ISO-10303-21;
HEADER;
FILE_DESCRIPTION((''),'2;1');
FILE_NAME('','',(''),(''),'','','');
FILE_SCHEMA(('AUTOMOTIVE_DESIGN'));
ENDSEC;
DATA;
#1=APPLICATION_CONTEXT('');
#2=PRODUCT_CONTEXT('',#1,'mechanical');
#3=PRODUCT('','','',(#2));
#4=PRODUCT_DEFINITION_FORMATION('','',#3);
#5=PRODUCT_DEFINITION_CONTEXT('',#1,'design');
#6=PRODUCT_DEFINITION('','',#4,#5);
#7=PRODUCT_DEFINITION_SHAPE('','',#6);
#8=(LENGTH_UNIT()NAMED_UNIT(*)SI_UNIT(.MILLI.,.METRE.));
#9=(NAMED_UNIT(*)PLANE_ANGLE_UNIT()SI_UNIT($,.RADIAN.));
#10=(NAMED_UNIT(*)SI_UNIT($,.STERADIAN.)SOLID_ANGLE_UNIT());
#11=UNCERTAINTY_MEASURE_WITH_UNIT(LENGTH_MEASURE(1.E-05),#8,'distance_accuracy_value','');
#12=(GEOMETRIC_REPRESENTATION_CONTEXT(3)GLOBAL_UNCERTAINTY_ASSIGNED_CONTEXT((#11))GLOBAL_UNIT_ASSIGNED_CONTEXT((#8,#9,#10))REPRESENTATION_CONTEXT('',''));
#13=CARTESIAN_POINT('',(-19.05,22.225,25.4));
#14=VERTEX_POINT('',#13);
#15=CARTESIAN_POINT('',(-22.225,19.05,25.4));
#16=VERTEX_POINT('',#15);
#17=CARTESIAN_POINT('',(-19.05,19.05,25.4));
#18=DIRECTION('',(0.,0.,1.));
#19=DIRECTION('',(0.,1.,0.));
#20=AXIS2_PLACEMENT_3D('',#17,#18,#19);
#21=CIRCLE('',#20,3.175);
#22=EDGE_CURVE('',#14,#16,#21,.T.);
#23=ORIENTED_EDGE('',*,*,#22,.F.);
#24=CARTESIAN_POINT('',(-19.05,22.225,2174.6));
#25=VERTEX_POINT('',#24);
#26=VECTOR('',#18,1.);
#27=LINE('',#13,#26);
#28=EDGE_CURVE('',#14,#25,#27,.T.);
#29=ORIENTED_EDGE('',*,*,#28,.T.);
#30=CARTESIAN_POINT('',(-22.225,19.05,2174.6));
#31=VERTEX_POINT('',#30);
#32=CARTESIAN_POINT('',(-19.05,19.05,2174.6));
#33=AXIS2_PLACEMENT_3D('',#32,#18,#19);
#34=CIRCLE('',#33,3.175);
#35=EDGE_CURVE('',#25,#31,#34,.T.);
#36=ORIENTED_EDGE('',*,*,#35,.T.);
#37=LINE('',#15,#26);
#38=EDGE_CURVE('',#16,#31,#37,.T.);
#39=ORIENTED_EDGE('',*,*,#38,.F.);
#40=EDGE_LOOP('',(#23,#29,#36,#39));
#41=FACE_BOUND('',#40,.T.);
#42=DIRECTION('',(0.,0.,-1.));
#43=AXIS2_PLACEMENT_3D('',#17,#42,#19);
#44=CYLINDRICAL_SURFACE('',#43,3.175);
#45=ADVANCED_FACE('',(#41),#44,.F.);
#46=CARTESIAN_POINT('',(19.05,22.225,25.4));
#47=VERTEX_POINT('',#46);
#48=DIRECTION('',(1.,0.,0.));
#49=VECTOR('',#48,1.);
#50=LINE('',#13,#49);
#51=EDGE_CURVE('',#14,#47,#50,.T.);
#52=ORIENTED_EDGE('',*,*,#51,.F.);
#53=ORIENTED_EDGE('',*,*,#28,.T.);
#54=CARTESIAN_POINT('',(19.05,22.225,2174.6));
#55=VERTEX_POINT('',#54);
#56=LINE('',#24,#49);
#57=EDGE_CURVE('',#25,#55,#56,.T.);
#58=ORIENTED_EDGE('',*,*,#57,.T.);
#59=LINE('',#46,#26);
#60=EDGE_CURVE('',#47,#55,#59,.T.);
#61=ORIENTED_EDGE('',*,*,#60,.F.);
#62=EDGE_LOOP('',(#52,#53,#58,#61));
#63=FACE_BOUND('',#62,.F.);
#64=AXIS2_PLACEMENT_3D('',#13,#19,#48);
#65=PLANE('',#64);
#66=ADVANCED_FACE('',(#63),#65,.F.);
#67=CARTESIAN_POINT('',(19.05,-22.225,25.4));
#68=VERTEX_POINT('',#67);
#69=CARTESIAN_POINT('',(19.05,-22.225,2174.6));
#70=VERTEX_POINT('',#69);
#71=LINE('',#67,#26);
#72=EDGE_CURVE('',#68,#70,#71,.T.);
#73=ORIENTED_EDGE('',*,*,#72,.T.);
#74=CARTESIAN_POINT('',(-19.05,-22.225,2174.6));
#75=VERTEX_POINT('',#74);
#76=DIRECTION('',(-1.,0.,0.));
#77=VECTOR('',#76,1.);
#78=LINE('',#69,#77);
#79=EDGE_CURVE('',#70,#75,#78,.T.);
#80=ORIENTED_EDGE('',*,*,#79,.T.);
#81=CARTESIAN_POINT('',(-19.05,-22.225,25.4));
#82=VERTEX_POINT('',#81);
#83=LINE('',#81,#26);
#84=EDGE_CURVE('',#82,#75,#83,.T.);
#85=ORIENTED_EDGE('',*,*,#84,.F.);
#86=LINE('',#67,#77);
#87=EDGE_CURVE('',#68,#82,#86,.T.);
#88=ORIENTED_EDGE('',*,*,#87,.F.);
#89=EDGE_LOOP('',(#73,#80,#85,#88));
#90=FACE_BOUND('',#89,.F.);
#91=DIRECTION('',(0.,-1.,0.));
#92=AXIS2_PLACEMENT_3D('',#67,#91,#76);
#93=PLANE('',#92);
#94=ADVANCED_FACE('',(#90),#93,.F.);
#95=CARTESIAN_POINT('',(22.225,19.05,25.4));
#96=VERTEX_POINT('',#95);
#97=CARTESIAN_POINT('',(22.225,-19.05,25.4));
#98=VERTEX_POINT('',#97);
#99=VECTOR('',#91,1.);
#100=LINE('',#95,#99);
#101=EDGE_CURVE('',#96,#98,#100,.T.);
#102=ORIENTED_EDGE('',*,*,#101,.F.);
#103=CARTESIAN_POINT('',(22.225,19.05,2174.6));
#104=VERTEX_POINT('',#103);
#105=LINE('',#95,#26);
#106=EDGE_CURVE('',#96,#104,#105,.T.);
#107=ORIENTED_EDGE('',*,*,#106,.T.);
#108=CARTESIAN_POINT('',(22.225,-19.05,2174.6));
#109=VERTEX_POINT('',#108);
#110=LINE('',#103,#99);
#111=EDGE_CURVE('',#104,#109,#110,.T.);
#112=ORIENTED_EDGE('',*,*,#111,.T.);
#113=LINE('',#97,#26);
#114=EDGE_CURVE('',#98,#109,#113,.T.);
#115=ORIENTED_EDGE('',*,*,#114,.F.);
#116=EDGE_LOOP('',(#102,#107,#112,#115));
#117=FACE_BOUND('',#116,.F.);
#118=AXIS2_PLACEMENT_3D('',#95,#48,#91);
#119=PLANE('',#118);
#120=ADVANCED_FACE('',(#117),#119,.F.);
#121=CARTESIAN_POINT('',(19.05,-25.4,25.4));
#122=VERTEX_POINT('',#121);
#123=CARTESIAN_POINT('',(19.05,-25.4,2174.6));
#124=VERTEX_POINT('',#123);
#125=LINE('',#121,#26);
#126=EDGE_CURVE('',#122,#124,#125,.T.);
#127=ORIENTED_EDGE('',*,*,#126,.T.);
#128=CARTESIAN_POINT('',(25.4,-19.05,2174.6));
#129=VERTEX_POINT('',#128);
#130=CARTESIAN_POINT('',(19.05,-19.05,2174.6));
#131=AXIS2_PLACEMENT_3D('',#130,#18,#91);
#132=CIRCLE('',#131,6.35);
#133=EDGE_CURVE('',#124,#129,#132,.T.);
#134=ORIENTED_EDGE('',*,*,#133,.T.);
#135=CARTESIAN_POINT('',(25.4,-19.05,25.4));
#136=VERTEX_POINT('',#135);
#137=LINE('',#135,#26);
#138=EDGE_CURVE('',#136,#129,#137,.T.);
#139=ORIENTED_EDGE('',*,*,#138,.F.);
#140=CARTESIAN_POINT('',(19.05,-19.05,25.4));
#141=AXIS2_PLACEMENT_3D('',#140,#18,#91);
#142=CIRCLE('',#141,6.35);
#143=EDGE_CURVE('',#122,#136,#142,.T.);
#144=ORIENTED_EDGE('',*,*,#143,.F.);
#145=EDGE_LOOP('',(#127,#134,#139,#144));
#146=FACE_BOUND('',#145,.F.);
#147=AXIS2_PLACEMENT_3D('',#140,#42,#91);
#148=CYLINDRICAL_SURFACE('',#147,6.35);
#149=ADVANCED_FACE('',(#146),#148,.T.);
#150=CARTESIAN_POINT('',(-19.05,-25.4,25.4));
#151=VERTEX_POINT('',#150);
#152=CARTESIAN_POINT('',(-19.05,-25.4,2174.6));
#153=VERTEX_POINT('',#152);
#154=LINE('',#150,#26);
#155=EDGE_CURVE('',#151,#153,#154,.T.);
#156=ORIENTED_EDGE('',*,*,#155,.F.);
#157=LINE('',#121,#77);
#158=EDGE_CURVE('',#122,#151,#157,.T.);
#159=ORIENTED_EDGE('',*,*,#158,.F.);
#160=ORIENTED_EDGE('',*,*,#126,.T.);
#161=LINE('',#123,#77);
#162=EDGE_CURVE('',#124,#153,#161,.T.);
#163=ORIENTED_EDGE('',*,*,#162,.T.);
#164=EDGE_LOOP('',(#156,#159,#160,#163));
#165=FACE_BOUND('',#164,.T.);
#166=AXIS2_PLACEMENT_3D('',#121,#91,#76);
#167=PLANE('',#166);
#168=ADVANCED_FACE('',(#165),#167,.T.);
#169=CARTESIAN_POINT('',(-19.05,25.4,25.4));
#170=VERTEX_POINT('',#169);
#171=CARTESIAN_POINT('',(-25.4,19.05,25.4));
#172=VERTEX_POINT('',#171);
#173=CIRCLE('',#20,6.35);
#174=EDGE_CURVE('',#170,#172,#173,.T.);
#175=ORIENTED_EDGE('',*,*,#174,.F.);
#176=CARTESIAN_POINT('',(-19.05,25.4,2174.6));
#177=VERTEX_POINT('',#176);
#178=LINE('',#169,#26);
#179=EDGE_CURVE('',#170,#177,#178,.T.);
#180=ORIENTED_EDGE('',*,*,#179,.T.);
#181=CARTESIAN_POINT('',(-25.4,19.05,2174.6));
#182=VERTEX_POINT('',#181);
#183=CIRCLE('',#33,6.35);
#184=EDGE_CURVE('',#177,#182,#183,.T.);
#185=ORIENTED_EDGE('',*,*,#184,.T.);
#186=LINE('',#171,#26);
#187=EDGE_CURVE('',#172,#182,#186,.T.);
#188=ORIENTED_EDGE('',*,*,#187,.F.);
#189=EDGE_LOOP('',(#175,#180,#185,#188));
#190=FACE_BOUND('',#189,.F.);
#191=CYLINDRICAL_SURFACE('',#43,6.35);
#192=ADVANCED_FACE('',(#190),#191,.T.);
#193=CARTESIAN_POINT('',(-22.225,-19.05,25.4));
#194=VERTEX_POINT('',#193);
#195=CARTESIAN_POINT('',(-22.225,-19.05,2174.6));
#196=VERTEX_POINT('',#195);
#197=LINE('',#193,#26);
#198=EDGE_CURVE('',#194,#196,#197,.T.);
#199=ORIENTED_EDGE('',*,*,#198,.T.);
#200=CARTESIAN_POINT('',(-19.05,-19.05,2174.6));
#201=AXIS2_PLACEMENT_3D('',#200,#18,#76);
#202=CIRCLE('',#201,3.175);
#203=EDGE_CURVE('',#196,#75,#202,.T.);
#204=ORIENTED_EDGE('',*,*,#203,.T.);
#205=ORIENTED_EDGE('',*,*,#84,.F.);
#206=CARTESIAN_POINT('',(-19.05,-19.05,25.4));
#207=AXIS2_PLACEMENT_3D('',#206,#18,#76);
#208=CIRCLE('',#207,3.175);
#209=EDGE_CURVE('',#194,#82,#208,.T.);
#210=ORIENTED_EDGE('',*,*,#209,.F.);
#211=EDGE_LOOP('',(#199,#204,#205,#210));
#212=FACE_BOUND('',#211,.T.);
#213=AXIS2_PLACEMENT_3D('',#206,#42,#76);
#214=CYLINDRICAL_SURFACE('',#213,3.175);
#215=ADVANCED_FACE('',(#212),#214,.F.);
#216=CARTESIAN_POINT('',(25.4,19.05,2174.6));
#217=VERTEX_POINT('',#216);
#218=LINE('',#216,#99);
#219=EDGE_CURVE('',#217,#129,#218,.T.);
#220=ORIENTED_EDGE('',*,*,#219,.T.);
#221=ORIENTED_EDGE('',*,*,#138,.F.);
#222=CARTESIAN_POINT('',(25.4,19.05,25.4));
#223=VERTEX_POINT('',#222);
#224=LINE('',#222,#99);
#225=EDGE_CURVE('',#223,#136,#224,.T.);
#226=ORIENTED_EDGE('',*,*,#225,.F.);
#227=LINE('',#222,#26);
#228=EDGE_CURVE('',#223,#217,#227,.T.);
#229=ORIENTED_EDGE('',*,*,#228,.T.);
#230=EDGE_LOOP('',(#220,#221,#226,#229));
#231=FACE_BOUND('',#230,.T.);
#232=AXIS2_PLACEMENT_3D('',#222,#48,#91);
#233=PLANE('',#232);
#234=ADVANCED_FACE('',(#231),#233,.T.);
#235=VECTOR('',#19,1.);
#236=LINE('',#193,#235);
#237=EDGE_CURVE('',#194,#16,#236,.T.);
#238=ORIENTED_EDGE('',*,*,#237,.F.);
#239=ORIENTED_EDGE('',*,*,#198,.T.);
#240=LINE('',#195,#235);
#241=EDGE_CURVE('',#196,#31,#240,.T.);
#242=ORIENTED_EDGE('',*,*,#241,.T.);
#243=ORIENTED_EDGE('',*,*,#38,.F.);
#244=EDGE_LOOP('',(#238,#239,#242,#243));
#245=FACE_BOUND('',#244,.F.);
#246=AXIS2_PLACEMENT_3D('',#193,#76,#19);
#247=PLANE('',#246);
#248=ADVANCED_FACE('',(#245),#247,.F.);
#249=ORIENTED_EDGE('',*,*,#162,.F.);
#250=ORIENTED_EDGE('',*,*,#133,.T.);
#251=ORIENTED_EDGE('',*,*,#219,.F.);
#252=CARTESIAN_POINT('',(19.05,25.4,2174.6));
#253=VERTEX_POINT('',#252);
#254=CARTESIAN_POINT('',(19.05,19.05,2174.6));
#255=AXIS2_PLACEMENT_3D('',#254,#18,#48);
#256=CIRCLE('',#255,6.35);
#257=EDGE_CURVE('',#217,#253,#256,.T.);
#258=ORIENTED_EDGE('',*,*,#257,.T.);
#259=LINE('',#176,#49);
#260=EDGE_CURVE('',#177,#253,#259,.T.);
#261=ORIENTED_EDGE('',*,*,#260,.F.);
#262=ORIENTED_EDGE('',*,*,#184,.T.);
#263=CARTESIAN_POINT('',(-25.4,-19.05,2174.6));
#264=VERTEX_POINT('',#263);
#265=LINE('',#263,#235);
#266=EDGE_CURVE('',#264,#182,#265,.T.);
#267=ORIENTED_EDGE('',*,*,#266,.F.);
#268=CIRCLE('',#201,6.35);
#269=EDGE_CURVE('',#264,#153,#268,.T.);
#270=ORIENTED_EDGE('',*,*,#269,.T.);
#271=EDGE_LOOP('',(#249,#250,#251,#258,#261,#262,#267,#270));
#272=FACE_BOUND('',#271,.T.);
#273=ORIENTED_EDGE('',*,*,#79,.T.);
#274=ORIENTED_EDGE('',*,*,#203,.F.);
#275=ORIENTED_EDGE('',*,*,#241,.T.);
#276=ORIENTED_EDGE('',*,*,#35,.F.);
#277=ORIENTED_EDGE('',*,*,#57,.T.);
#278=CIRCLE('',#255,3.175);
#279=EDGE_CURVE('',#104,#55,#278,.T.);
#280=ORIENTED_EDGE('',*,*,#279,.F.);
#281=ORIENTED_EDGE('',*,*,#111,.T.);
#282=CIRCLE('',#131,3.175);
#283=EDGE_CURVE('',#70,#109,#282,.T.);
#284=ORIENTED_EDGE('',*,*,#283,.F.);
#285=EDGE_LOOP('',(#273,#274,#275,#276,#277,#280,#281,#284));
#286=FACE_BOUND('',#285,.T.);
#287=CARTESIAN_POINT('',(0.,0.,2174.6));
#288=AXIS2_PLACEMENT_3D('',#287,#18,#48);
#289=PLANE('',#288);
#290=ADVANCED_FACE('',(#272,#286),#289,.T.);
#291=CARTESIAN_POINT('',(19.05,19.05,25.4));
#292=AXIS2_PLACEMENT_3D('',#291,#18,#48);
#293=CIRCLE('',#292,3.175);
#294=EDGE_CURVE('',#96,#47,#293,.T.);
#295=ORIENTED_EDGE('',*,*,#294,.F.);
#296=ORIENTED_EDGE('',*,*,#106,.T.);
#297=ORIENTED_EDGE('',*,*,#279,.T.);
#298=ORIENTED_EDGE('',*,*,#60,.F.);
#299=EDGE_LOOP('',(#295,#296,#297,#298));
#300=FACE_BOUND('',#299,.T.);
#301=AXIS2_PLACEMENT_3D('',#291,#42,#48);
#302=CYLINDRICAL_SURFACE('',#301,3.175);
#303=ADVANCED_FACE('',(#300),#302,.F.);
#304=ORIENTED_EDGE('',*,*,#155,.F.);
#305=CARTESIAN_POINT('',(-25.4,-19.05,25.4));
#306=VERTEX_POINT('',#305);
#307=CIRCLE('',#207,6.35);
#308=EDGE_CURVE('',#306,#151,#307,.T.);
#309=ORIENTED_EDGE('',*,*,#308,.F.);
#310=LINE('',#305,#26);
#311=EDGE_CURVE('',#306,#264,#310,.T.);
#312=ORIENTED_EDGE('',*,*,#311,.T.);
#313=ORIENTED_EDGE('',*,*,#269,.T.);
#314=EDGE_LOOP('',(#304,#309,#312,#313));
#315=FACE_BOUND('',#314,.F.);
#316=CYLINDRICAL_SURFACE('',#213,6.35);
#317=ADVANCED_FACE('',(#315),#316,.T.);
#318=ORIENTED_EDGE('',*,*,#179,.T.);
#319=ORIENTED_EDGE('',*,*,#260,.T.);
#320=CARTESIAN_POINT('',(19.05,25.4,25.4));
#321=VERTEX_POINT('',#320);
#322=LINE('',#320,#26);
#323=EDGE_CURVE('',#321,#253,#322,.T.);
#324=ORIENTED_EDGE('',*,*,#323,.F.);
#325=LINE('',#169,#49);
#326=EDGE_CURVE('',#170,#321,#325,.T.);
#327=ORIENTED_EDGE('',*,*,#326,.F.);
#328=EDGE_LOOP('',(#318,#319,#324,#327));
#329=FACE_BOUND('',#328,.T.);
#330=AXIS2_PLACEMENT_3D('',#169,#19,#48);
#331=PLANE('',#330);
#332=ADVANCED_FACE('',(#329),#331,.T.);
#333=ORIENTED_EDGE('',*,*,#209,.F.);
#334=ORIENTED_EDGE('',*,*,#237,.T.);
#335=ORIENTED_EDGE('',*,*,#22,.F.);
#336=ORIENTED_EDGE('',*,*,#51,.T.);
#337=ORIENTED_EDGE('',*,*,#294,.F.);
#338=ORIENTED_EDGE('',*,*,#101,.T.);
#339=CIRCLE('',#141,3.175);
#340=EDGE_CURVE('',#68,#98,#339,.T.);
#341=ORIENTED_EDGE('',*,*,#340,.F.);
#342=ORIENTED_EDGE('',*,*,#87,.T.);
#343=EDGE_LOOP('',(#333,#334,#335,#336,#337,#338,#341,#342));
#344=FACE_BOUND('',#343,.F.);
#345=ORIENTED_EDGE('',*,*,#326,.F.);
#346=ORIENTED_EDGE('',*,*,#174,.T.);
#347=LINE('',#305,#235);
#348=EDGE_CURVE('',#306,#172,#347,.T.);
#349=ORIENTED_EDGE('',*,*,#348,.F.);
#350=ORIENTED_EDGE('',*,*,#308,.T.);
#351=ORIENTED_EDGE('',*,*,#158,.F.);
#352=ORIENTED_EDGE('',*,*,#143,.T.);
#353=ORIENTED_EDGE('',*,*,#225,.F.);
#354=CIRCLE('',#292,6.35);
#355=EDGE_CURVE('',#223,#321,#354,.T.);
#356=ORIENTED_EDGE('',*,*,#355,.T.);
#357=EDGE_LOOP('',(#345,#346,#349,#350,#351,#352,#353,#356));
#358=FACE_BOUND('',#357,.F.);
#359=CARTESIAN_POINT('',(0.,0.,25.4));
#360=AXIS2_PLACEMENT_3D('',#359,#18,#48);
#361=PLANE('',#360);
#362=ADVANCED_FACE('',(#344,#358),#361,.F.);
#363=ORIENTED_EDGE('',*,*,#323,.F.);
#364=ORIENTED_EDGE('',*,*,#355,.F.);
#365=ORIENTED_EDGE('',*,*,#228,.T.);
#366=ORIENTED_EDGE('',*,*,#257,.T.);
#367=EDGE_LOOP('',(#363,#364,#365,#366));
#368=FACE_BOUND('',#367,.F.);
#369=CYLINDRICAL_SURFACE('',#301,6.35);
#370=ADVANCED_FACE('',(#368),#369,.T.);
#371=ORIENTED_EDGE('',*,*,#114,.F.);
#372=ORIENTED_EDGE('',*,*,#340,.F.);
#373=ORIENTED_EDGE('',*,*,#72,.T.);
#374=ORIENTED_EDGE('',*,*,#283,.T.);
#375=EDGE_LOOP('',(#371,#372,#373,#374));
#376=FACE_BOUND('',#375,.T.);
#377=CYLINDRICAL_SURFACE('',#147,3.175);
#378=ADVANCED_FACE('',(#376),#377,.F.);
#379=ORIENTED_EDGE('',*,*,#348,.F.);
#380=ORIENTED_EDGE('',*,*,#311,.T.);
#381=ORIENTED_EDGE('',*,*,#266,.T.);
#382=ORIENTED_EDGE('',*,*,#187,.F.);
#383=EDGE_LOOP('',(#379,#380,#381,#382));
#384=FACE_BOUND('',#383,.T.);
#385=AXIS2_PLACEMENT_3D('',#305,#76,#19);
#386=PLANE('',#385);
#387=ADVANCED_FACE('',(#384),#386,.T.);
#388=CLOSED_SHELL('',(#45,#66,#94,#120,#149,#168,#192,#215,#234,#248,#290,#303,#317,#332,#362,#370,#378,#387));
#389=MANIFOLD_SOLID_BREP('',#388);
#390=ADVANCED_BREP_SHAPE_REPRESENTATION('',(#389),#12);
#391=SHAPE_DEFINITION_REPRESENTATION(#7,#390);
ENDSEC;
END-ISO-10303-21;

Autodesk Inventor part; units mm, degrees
ref_plane "Plano inicial" through (0, 0, 25.4) normal (0, 0, 1) x (1, 0, 0)
ref_plane "Plano final" through (0, 0, 2174.6) normal (0, 0, 1) x (1, 0, 0)
sketch "Boceto" plane through (0, 0, 0) normal (0, 0, 1) x (1, 0, 0)
  line L0 (-25.4, -19.05) -> (-25.4, 19.05)
  line L1 (-19.05, 25.4) -> (19.05, 25.4)
  line L2 (25.4, 19.05) -> (25.4, -19.05)
  line L3 (19.05, -25.4) -> (-19.05, -25.4)
  arc A0 (-25.4, -19.05) -> (-19.05, -25.4) centre (-19.05, -19.05) ccw
  arc A1 (-19.05, 25.4) -> (-25.4, 19.05) centre (-19.05, 19.05) ccw
  arc A2 (25.4, 19.05) -> (19.05, 25.4) centre (19.05, 19.05) ccw
  arc A3 (19.05, -25.4) -> (25.4, -19.05) centre (19.05, -19.05) ccw
  arc A4 (-19.05, 22.225) -> (-22.225, 19.05) centre (-19.05, 19.05) ccw
  line L4 (-19.05, 22.225) -> (19.05, 22.225)
  arc A5 (22.225, 19.05) -> (19.05, 22.225) centre (19.05, 19.05) ccw
  line L5 (22.225, 19.05) -> (22.225, -19.05)
  arc A6 (19.05, -22.225) -> (22.225, -19.05) centre (19.05, -19.05) ccw
  line L6 (19.05, -22.225) -> (-19.05, -22.225)
  arc A7 (-22.225, -19.05) -> (-19.05, -22.225) centre (-19.05, -19.05) ccw
  line L7 (-22.225, -19.05) -> (-22.225, 19.05)
  line L8 (0, 37.4012) -> (0, -37.4012) construction
  line L9 (-37.4012, 0) -> (37.4012, 0) construction
  dimension "d10" = 50.8
  dimension "d11" = 50.8
  dimension "d12" = 3.175
  dimension "d15" = 25.4
  dimension "d16" = 25.4
  dimension "d17" = 6.35
extrude "Cuerpo" add sketch "Boceto" along normal up to surface (2149.2 mm away) from surface at 25.4
sketch "Sketch3" plane through (0, 0, 0) normal (0, 0, 1) x (1, 0, 0)
  line L0 (0, 0) -> (10, 0)
ref_plane "Work Plane3" through (0, 0, 0) normal (0, -1, 0) x (1, 0, 0)
ref_plane "Plano de trabajo4" through (-2980.95, 0, 2174.6) normal (0, 0, 1) x (1, 0, 0)
split "Dividir1" plane through (-2980.95, 0, 2174.6) removes the side toward (0, 0, 1)
ref_plane "Plano de trabajo5" through (-3000, -19.05, 25.4) normal (0, 0, -1) x (-1, 0, 0)
split "Dividir2" plane through (-3000, -19.05, 25.4) removes the side toward (0, 0, -1)
ref_plane "Plano de trabajo6" through (-2980.95, -2890, 25.4) normal (0, 0, -1) x (-1, 0, 0)
split "Dividir3" plane through (-2980.95, -2890, 25.4) removes the side toward (0, 0, -1)
sketch "Sketch4" plane through (0, 0, 0) normal (0, -1, 0) x (1, 0, 0)
  line L0 (-2, 25.4) -> (12, 25.4) projected
  line L1 (-2, 2174.6) -> (12, 2174.6) projected
  dimension "d19" = 2149.2
equation "\"d10\" = G_H"
equation "\"d11\" = G_W"
equation "\"d12\" = G_T"
equation "\"d15\" = 0.5 * d10"
equation "\"d16\" = 0.5 * d11"
equation "\"d17\" = G_IR"
equation "\"d3\" = G_L"
equation "\"G_W\" = 50.8"
equation "\"G_H\" = 50.8"
equation "\"G_T\" = 3.175"
equation "\"G_IR\" = 6.35"
equation "\"G_L\" = d19"
equation "\"G_OFFSET_START\" = -25.4"
equation "\"G_OFFSET_END\" = -25.4"
equation "\"d13\" = -G_OFFSET_START"
equation "\"d14\" = G_OFFSET_END + B_L"
equation "\"B_L\" = 2200"
properties part number "AISC - 2 x 2 x 1/8 - 84,614" material "Acero, suave"
